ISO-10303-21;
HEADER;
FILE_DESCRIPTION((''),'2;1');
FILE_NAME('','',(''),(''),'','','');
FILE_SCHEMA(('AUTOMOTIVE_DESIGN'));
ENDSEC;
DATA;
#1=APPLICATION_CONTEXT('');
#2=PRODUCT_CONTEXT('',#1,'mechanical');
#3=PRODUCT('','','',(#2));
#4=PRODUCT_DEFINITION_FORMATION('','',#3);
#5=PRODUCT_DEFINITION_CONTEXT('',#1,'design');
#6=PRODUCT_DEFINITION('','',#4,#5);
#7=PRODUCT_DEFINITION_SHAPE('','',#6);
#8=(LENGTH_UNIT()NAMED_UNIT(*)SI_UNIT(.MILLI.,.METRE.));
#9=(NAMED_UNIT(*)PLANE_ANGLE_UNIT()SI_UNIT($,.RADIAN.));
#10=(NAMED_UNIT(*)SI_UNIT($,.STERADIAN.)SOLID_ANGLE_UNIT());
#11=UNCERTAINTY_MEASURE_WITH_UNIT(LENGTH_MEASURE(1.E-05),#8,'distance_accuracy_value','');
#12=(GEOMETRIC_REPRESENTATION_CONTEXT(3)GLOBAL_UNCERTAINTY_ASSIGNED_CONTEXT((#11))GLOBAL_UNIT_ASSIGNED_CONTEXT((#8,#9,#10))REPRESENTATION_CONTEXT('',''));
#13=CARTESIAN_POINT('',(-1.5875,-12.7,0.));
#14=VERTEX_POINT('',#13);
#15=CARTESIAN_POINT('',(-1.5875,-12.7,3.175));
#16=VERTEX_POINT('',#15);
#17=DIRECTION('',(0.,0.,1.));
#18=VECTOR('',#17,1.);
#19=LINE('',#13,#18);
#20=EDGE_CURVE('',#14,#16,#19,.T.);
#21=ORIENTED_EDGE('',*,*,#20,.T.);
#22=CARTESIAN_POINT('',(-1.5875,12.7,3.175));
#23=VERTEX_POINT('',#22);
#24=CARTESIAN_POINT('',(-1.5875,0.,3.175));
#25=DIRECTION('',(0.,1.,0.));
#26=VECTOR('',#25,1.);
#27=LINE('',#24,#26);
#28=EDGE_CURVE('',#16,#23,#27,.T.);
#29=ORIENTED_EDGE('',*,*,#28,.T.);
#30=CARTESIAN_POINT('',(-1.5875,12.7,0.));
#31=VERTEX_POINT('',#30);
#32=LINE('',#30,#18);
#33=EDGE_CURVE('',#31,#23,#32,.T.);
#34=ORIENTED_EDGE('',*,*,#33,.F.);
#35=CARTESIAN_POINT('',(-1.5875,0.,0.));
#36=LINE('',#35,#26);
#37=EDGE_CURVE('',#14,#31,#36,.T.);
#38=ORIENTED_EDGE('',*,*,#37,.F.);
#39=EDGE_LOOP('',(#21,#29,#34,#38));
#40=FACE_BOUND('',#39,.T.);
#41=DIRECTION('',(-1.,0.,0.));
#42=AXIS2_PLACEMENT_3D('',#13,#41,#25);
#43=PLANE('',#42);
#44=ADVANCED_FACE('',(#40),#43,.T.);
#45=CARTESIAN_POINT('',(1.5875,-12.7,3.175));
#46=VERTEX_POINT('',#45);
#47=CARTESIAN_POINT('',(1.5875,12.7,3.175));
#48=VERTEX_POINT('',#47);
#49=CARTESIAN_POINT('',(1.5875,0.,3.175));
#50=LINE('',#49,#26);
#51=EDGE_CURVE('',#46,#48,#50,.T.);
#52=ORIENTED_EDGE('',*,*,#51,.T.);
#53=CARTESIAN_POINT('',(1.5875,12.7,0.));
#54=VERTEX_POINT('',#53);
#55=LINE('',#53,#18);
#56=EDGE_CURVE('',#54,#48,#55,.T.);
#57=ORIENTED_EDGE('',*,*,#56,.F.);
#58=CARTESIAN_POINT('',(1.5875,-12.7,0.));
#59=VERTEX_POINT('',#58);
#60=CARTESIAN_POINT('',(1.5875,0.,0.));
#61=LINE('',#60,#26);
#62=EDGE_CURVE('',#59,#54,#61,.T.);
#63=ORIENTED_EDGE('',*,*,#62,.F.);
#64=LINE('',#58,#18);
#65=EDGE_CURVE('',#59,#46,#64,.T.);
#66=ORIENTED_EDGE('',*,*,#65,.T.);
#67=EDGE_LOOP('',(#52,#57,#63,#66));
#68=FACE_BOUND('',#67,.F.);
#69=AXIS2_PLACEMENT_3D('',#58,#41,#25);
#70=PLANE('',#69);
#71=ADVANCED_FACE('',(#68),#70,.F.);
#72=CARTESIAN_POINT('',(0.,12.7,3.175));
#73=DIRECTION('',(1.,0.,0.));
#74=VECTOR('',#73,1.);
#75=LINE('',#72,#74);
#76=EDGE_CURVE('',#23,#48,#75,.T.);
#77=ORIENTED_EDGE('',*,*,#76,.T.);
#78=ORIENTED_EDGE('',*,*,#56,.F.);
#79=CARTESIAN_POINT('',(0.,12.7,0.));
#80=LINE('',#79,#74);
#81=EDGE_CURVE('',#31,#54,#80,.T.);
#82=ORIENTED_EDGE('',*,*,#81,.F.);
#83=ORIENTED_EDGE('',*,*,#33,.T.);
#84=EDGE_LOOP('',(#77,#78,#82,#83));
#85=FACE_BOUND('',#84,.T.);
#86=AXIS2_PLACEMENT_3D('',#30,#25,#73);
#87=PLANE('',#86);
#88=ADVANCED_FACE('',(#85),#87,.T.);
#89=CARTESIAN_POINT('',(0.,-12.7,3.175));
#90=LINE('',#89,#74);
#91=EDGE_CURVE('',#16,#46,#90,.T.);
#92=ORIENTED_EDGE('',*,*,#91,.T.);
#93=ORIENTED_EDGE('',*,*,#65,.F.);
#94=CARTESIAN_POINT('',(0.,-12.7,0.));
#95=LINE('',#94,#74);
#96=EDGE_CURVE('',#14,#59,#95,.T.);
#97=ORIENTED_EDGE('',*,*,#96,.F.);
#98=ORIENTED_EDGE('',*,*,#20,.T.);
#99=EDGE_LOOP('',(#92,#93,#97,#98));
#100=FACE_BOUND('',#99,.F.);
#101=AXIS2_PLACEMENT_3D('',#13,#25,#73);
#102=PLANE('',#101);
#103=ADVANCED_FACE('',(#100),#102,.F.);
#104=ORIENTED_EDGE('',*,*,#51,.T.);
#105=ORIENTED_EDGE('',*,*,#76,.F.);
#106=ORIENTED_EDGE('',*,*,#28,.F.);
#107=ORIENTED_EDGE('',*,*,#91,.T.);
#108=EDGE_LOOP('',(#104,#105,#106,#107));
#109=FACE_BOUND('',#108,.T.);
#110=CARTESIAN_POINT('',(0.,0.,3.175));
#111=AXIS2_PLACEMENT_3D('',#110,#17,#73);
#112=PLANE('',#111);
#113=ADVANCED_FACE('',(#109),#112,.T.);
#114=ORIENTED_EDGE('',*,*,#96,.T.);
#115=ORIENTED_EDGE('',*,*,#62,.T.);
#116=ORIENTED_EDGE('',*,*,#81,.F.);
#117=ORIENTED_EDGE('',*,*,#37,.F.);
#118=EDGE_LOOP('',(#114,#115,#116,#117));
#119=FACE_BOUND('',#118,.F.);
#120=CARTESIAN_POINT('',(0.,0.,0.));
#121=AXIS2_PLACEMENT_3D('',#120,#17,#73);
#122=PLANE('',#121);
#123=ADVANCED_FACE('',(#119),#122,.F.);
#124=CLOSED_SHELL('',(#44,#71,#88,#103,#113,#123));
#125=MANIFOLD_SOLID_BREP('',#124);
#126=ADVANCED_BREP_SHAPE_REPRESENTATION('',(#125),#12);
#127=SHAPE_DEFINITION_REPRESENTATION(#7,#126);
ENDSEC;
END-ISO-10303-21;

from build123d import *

# Parameters (mm, degrees)
SKETCH2_W           = 3.175
SKETCH2_H           = 25.4
BOSS_EXTRUDE1_DEPTH = 3.175


with BuildPart() as part:
    # Sketch2 → Boss-Extrude1 (new body)
    with BuildSketch(Plane.XY):
        Rectangle(SKETCH2_W, SKETCH2_H)
    extrude(amount=BOSS_EXTRUDE1_DEPTH)


solid = part.part
